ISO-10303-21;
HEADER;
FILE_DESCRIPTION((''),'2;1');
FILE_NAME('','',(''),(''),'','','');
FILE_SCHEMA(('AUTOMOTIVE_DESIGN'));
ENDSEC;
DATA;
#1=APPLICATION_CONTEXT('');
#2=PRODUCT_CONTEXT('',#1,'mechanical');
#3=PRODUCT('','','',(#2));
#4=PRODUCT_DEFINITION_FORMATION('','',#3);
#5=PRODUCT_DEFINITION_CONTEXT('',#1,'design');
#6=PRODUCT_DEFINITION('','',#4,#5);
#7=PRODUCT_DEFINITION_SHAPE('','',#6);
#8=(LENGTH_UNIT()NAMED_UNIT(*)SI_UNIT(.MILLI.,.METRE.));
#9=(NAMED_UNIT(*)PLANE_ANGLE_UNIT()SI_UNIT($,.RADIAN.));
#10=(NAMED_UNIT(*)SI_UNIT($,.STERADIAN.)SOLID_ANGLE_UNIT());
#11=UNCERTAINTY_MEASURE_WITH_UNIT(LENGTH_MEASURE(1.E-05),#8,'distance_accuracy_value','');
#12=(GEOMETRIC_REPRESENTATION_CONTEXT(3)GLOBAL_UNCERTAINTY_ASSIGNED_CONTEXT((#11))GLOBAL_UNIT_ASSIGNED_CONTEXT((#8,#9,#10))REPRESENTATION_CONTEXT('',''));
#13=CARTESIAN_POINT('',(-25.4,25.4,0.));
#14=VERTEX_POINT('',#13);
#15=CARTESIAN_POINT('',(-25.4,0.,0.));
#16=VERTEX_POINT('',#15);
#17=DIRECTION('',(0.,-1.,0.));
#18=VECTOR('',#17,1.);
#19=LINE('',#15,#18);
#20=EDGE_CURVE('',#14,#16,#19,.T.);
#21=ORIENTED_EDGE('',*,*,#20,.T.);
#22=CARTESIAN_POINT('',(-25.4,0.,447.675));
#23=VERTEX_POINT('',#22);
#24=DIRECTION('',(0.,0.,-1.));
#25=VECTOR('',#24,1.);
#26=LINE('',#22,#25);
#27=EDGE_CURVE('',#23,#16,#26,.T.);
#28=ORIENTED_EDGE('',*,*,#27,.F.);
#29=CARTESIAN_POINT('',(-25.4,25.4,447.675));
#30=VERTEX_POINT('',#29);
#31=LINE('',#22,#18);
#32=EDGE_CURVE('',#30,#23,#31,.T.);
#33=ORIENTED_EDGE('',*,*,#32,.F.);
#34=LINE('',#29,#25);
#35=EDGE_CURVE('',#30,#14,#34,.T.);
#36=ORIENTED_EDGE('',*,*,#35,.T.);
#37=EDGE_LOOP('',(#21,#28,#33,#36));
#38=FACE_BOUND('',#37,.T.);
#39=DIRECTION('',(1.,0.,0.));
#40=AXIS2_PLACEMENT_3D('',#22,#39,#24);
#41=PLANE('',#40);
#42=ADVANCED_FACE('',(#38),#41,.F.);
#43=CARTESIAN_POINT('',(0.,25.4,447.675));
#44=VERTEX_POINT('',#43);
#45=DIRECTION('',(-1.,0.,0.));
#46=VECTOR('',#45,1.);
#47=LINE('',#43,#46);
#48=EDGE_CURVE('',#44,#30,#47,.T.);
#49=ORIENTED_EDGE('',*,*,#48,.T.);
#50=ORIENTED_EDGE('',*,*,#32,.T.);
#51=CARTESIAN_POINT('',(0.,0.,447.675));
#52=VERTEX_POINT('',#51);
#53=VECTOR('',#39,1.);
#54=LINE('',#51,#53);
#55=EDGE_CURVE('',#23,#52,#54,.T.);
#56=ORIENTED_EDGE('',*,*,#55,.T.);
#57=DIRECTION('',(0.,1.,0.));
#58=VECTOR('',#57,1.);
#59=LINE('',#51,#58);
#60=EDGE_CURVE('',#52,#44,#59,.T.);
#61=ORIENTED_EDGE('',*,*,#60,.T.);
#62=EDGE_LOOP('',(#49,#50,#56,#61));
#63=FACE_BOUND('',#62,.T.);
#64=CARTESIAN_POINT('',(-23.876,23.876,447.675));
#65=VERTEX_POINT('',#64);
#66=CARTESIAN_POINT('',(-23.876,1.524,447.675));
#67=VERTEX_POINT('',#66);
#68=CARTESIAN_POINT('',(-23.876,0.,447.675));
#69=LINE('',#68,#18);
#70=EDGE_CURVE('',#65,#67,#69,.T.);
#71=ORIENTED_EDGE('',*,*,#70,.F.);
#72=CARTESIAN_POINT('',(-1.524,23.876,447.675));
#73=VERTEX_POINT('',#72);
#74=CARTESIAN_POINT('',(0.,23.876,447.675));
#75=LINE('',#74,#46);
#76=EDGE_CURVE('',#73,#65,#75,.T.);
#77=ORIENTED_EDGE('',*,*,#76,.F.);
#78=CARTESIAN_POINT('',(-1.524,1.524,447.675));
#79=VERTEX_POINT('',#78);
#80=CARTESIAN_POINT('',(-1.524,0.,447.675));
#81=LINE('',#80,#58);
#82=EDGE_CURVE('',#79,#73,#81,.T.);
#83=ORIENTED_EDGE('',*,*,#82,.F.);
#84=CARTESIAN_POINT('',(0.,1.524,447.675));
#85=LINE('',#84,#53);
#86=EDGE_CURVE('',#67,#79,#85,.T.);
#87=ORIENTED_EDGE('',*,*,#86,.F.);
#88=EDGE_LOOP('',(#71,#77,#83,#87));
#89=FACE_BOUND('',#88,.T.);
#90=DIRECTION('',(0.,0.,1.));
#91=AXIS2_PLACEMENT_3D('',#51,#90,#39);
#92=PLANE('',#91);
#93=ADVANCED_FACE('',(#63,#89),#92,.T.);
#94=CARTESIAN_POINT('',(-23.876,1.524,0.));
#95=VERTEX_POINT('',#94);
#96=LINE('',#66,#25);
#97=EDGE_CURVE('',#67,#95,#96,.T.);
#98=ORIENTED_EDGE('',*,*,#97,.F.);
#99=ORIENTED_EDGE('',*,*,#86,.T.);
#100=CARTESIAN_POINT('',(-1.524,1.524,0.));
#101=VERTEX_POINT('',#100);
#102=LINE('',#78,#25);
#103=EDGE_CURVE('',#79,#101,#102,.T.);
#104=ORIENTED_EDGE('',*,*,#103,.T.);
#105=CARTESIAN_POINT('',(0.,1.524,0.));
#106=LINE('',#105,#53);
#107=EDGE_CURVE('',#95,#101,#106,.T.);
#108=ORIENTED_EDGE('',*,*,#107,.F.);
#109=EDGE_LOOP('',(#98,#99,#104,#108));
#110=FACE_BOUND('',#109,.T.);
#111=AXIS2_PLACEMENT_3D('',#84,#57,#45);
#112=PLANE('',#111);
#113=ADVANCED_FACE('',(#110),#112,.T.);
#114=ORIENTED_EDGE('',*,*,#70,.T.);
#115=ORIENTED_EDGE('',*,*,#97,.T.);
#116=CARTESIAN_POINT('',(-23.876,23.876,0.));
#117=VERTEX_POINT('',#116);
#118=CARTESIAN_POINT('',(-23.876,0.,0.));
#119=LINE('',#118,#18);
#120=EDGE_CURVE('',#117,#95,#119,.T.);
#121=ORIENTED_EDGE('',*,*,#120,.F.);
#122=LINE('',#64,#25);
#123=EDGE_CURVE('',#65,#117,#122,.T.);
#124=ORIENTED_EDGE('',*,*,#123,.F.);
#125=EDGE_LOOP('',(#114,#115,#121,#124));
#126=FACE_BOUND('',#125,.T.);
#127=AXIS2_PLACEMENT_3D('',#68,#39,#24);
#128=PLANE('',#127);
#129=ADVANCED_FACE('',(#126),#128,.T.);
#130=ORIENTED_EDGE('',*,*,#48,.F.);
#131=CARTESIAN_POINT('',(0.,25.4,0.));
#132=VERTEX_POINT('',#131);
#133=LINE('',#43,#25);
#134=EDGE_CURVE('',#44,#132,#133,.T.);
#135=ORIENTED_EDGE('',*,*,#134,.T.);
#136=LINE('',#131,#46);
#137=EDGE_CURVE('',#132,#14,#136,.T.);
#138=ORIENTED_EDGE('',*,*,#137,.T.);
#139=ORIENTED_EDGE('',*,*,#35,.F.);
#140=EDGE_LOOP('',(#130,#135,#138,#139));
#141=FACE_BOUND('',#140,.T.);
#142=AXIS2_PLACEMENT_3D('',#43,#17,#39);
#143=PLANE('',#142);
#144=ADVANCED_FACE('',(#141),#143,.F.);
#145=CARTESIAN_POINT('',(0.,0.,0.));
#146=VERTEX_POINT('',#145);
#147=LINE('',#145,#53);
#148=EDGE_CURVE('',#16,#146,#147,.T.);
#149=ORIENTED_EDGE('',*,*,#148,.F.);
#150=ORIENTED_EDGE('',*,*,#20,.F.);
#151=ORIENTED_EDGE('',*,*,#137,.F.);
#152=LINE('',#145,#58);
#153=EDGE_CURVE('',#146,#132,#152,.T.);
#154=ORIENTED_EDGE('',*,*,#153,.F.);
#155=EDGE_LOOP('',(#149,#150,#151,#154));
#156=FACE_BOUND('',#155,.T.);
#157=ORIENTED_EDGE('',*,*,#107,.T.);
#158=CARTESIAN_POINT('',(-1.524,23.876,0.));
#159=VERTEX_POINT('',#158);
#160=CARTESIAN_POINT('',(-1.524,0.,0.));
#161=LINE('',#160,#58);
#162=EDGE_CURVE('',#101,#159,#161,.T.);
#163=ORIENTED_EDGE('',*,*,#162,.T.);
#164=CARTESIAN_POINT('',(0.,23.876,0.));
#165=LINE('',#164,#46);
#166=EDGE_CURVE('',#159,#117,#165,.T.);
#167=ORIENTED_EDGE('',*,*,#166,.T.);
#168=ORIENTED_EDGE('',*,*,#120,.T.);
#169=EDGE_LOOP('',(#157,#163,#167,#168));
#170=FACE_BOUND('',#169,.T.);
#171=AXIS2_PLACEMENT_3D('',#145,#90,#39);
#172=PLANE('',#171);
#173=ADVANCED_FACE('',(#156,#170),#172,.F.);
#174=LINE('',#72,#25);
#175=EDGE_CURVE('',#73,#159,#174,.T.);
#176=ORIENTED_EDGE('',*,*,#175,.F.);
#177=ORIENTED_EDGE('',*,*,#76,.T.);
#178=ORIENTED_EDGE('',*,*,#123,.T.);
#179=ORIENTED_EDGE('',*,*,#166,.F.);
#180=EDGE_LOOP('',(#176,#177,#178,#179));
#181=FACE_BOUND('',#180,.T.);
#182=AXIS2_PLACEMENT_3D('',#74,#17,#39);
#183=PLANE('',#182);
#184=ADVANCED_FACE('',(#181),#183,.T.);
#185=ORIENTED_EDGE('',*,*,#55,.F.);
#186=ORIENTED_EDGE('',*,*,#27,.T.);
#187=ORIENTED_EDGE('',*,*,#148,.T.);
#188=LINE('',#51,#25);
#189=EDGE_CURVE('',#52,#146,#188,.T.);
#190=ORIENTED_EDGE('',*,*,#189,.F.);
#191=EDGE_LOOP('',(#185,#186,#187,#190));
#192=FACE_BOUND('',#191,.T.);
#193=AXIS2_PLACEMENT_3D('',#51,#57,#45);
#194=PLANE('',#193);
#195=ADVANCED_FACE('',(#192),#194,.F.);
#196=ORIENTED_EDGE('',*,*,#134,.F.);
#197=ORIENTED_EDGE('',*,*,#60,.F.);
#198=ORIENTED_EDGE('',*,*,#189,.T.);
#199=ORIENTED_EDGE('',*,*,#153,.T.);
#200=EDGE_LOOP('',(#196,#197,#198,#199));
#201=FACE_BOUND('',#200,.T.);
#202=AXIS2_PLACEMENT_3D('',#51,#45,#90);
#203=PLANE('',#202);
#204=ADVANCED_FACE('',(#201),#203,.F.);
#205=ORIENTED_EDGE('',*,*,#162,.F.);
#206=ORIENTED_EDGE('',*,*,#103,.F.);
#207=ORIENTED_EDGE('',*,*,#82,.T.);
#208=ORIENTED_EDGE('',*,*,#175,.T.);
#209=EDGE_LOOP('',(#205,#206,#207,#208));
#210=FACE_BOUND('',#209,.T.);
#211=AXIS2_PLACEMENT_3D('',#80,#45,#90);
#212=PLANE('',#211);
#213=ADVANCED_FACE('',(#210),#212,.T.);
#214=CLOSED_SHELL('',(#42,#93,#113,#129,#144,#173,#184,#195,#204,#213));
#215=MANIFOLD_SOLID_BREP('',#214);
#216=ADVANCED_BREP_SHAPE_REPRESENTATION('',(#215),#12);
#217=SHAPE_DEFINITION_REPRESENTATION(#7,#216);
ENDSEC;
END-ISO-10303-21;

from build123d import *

# Parameters (mm, degrees)
SKETCH1_W           = 25.4
SKETCH1_H           = 25.4
SKETCH1_W_2         = 22.352
SKETCH1_H_2         = 22.352
EXTRUDE_THIN1_DEPTH = 447.675


with BuildPart() as part:
    # Sketch1 → Extrude-Thin1 (new body)
    with BuildSketch(Plane.XY):
        with Locations((-12.7, 12.7)):
            Rectangle(SKETCH1_W, SKETCH1_H)
        with Locations((-12.7, 12.7)):
            Rectangle(SKETCH1_W_2, SKETCH1_H_2, mode=Mode.SUBTRACT)
    extrude(amount=EXTRUDE_THIN1_DEPTH)


solid = part.part
